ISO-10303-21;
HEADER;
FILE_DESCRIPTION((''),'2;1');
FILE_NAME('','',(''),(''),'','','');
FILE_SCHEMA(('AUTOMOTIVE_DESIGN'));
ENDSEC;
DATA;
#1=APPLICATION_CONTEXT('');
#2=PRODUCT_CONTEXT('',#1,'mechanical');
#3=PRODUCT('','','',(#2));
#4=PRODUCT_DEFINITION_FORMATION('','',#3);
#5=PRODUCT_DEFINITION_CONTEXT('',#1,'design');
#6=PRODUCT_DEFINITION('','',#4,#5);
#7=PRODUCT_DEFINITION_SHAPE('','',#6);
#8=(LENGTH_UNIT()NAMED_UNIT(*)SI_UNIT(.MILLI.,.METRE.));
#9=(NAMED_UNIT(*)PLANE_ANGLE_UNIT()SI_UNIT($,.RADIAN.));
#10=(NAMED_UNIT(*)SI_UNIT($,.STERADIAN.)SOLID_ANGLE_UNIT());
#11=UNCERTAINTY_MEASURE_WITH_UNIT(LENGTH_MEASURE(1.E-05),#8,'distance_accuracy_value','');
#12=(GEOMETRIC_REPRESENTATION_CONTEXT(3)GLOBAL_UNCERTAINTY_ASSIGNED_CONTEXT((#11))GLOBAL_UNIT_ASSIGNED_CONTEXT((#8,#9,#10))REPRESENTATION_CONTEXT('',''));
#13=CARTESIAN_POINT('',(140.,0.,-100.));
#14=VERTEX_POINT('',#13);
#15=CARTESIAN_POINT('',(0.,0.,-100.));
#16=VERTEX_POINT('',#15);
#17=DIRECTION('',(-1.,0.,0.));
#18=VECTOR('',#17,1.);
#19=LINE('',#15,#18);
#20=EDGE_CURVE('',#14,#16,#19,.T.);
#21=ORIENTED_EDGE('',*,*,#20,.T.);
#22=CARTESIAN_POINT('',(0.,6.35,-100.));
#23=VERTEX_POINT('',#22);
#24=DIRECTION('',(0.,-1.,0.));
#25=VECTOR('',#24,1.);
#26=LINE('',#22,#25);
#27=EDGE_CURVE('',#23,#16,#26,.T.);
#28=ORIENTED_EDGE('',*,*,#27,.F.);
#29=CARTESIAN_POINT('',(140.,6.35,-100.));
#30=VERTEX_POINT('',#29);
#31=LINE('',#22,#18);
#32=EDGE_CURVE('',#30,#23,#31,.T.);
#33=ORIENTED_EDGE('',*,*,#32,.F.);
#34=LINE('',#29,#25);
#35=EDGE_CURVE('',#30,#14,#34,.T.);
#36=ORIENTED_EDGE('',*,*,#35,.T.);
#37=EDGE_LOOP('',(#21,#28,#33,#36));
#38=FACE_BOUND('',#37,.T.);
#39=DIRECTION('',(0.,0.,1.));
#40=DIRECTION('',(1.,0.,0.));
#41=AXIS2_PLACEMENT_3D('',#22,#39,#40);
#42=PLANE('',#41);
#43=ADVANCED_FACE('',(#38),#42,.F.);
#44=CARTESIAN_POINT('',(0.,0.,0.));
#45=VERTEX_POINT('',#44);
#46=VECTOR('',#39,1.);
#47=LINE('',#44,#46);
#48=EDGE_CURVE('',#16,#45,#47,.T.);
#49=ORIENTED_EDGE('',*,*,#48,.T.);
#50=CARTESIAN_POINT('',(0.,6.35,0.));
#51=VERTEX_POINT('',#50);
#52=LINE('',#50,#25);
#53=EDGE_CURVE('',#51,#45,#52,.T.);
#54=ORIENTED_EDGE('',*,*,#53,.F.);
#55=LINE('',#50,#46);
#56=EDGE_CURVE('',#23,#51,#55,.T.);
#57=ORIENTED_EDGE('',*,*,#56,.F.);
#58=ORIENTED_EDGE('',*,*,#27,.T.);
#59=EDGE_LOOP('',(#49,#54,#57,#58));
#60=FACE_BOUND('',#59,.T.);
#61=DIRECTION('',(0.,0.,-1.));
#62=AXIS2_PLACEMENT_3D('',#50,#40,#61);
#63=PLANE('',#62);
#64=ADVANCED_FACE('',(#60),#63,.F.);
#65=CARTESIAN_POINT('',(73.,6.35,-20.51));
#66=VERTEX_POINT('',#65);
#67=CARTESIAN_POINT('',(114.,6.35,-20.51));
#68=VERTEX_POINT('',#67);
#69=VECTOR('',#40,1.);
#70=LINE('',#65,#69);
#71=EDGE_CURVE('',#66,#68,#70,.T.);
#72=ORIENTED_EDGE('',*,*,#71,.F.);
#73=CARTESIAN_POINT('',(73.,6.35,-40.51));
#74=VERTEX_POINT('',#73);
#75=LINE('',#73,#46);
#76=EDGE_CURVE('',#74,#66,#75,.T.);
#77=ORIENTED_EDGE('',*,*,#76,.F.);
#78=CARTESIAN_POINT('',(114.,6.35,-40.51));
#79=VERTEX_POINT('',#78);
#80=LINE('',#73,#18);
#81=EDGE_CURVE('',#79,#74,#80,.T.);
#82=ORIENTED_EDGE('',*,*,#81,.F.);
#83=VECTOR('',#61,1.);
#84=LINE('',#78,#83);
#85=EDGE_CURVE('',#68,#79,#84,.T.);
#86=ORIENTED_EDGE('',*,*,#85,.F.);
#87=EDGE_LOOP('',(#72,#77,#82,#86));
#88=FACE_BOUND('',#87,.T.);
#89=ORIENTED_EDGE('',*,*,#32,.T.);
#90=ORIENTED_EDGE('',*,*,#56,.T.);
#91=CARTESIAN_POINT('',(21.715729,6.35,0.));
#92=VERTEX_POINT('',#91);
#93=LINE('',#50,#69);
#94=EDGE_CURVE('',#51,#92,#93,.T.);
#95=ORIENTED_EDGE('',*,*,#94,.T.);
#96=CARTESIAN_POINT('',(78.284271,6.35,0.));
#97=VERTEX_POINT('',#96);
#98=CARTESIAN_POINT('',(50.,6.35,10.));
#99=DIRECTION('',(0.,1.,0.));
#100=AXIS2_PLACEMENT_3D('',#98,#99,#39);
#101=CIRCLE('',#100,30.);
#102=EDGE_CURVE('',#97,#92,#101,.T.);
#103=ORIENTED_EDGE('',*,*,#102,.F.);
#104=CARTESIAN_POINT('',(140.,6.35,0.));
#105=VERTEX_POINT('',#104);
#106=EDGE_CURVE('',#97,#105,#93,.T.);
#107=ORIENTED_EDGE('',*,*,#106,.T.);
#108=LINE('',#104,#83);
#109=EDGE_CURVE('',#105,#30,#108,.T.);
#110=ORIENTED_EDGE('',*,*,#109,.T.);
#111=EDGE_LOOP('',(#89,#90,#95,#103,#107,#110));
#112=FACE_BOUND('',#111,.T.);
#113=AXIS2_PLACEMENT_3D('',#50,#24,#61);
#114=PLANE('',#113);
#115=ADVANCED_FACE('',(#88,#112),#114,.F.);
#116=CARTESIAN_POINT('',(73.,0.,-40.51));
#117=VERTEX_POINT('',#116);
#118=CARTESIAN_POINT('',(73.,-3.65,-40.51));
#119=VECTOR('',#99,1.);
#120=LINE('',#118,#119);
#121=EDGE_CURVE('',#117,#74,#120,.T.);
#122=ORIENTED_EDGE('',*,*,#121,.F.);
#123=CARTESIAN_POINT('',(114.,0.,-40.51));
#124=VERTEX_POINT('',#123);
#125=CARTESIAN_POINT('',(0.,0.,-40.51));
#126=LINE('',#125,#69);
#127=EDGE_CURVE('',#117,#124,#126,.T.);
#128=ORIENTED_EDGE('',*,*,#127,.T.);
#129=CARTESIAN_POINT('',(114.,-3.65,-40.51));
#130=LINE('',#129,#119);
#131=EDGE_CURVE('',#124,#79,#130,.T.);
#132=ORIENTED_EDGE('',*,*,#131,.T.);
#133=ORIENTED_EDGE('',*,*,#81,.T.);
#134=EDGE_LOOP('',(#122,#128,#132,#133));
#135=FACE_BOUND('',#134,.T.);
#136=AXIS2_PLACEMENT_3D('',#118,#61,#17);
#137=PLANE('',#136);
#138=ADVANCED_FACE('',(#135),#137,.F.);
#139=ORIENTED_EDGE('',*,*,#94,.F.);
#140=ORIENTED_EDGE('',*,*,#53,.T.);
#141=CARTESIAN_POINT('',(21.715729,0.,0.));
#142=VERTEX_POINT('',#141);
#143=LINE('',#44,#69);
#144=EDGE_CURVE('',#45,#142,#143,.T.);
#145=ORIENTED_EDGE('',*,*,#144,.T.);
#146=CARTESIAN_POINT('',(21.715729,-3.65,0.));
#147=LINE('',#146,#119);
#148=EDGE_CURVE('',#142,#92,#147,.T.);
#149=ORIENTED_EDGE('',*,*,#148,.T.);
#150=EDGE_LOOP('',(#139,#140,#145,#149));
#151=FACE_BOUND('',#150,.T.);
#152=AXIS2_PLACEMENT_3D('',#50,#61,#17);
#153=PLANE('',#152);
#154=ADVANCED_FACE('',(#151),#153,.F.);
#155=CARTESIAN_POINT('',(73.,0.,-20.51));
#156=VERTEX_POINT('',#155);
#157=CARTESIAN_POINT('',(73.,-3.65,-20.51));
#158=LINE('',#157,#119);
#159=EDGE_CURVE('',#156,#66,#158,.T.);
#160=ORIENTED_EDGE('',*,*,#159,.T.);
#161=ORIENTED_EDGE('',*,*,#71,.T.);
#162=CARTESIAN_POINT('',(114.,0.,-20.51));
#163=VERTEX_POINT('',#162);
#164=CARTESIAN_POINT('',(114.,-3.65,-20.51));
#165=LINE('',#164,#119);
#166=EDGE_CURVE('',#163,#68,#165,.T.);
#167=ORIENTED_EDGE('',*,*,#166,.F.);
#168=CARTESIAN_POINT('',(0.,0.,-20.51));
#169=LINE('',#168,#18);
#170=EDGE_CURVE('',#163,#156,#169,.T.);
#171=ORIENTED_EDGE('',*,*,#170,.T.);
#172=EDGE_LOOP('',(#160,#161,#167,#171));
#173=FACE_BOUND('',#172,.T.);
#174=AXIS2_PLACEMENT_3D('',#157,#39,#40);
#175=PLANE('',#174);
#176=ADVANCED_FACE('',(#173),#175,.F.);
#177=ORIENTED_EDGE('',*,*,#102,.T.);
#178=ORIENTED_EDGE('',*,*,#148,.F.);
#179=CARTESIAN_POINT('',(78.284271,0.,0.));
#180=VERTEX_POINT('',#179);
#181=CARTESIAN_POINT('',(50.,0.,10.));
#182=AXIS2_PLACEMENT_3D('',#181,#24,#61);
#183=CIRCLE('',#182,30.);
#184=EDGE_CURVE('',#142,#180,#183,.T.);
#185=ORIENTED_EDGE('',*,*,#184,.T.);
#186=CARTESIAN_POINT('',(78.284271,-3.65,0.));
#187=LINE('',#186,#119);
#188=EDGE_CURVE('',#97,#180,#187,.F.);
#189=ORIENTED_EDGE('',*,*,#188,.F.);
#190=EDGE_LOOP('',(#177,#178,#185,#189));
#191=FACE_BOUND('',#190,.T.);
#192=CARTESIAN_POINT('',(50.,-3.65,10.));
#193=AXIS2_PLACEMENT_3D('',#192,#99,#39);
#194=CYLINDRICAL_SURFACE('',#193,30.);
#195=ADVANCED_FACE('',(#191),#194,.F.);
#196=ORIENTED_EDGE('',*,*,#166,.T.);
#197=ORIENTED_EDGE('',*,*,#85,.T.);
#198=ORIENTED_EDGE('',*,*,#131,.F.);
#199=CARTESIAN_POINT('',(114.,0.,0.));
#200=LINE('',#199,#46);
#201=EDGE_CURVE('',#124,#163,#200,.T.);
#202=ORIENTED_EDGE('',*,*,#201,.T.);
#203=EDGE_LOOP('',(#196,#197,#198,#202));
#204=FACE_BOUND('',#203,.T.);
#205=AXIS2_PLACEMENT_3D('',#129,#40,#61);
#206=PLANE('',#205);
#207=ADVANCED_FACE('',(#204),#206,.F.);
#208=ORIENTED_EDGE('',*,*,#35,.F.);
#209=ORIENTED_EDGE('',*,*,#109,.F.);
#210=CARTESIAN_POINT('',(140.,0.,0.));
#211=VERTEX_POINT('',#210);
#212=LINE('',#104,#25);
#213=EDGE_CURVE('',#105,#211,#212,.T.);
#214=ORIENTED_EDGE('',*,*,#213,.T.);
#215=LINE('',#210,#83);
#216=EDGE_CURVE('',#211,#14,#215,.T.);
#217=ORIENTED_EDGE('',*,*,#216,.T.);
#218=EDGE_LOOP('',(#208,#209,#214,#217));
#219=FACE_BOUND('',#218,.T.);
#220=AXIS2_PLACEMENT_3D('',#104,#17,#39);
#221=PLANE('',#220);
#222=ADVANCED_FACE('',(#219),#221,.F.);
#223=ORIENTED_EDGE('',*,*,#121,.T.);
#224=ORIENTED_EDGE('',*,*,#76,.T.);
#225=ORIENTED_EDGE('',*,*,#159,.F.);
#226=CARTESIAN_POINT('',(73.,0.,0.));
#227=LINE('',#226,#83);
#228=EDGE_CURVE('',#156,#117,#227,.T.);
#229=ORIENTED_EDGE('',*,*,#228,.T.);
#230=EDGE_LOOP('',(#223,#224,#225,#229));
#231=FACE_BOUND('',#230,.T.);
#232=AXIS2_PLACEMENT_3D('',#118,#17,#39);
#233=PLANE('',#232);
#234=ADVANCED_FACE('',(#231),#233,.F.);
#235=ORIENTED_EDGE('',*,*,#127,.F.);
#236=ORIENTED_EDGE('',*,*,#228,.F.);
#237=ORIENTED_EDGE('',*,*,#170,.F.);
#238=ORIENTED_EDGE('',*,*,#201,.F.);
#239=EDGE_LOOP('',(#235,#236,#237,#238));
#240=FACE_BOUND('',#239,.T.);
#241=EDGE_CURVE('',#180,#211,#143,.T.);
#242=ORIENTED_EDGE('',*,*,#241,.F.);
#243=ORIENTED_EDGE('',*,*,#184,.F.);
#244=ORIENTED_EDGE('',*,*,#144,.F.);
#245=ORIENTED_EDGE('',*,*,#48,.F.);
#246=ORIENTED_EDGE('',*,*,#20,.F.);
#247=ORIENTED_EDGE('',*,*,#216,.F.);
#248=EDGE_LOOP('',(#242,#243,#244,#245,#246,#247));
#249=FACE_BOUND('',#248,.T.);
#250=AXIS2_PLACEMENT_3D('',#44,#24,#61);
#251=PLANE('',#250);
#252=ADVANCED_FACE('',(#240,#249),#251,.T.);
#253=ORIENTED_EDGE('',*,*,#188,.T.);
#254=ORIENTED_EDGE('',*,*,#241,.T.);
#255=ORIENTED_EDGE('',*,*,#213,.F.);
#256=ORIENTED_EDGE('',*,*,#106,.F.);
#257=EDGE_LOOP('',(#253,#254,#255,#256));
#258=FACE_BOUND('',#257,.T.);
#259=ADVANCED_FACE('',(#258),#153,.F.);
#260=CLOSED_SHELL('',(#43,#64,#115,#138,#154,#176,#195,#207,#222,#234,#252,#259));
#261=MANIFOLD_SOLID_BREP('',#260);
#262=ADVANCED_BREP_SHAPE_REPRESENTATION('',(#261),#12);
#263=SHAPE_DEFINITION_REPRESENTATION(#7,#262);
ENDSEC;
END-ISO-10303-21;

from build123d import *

# Parameters (mm, degrees)
SKETCH1_W           = 140
SKETCH1_H           = 100
BOSS_EXTRUDE1_DEPTH = 6.35
SKETCH2_W           = 41
SKETCH2_H           = 20
CUT_EXTRUDE1_DEPTH  = 10
SKETCH3_R           = 30
CUT_EXTRUDE2_DEPTH  = 10


with BuildPart() as part:
    # Sketch1 → Boss-Extrude1 (new body)
    with BuildSketch(Plane(origin=(0, 0, 0), x_dir=(1, 0, 0), z_dir=(0, 1, 0))):
        with Locations((70, 50)):
            Rectangle(SKETCH1_W, SKETCH1_H)
    extrude(amount=BOSS_EXTRUDE1_DEPTH)

    # Sketch2 → Cut-Extrude1 (cut)
    with BuildSketch(Plane(origin=(0, 6.35, 0), x_dir=(1, 0, 0), z_dir=(0, 1, 0))):
        with Locations((93.5, 30.51)):
            Rectangle(SKETCH2_W, SKETCH2_H)
    extrude(amount=-CUT_EXTRUDE1_DEPTH, mode=Mode.SUBTRACT)

    # Sketch3 → Cut-Extrude2 (cut)
    with BuildSketch(Plane(origin=(0, 6.35, 0), x_dir=(1, 0, 0), z_dir=(0, 1, 0))):
        with Locations((50, -10)):
            Circle(SKETCH3_R)
    extrude(amount=-CUT_EXTRUDE2_DEPTH, mode=Mode.SUBTRACT)


solid = part.part
